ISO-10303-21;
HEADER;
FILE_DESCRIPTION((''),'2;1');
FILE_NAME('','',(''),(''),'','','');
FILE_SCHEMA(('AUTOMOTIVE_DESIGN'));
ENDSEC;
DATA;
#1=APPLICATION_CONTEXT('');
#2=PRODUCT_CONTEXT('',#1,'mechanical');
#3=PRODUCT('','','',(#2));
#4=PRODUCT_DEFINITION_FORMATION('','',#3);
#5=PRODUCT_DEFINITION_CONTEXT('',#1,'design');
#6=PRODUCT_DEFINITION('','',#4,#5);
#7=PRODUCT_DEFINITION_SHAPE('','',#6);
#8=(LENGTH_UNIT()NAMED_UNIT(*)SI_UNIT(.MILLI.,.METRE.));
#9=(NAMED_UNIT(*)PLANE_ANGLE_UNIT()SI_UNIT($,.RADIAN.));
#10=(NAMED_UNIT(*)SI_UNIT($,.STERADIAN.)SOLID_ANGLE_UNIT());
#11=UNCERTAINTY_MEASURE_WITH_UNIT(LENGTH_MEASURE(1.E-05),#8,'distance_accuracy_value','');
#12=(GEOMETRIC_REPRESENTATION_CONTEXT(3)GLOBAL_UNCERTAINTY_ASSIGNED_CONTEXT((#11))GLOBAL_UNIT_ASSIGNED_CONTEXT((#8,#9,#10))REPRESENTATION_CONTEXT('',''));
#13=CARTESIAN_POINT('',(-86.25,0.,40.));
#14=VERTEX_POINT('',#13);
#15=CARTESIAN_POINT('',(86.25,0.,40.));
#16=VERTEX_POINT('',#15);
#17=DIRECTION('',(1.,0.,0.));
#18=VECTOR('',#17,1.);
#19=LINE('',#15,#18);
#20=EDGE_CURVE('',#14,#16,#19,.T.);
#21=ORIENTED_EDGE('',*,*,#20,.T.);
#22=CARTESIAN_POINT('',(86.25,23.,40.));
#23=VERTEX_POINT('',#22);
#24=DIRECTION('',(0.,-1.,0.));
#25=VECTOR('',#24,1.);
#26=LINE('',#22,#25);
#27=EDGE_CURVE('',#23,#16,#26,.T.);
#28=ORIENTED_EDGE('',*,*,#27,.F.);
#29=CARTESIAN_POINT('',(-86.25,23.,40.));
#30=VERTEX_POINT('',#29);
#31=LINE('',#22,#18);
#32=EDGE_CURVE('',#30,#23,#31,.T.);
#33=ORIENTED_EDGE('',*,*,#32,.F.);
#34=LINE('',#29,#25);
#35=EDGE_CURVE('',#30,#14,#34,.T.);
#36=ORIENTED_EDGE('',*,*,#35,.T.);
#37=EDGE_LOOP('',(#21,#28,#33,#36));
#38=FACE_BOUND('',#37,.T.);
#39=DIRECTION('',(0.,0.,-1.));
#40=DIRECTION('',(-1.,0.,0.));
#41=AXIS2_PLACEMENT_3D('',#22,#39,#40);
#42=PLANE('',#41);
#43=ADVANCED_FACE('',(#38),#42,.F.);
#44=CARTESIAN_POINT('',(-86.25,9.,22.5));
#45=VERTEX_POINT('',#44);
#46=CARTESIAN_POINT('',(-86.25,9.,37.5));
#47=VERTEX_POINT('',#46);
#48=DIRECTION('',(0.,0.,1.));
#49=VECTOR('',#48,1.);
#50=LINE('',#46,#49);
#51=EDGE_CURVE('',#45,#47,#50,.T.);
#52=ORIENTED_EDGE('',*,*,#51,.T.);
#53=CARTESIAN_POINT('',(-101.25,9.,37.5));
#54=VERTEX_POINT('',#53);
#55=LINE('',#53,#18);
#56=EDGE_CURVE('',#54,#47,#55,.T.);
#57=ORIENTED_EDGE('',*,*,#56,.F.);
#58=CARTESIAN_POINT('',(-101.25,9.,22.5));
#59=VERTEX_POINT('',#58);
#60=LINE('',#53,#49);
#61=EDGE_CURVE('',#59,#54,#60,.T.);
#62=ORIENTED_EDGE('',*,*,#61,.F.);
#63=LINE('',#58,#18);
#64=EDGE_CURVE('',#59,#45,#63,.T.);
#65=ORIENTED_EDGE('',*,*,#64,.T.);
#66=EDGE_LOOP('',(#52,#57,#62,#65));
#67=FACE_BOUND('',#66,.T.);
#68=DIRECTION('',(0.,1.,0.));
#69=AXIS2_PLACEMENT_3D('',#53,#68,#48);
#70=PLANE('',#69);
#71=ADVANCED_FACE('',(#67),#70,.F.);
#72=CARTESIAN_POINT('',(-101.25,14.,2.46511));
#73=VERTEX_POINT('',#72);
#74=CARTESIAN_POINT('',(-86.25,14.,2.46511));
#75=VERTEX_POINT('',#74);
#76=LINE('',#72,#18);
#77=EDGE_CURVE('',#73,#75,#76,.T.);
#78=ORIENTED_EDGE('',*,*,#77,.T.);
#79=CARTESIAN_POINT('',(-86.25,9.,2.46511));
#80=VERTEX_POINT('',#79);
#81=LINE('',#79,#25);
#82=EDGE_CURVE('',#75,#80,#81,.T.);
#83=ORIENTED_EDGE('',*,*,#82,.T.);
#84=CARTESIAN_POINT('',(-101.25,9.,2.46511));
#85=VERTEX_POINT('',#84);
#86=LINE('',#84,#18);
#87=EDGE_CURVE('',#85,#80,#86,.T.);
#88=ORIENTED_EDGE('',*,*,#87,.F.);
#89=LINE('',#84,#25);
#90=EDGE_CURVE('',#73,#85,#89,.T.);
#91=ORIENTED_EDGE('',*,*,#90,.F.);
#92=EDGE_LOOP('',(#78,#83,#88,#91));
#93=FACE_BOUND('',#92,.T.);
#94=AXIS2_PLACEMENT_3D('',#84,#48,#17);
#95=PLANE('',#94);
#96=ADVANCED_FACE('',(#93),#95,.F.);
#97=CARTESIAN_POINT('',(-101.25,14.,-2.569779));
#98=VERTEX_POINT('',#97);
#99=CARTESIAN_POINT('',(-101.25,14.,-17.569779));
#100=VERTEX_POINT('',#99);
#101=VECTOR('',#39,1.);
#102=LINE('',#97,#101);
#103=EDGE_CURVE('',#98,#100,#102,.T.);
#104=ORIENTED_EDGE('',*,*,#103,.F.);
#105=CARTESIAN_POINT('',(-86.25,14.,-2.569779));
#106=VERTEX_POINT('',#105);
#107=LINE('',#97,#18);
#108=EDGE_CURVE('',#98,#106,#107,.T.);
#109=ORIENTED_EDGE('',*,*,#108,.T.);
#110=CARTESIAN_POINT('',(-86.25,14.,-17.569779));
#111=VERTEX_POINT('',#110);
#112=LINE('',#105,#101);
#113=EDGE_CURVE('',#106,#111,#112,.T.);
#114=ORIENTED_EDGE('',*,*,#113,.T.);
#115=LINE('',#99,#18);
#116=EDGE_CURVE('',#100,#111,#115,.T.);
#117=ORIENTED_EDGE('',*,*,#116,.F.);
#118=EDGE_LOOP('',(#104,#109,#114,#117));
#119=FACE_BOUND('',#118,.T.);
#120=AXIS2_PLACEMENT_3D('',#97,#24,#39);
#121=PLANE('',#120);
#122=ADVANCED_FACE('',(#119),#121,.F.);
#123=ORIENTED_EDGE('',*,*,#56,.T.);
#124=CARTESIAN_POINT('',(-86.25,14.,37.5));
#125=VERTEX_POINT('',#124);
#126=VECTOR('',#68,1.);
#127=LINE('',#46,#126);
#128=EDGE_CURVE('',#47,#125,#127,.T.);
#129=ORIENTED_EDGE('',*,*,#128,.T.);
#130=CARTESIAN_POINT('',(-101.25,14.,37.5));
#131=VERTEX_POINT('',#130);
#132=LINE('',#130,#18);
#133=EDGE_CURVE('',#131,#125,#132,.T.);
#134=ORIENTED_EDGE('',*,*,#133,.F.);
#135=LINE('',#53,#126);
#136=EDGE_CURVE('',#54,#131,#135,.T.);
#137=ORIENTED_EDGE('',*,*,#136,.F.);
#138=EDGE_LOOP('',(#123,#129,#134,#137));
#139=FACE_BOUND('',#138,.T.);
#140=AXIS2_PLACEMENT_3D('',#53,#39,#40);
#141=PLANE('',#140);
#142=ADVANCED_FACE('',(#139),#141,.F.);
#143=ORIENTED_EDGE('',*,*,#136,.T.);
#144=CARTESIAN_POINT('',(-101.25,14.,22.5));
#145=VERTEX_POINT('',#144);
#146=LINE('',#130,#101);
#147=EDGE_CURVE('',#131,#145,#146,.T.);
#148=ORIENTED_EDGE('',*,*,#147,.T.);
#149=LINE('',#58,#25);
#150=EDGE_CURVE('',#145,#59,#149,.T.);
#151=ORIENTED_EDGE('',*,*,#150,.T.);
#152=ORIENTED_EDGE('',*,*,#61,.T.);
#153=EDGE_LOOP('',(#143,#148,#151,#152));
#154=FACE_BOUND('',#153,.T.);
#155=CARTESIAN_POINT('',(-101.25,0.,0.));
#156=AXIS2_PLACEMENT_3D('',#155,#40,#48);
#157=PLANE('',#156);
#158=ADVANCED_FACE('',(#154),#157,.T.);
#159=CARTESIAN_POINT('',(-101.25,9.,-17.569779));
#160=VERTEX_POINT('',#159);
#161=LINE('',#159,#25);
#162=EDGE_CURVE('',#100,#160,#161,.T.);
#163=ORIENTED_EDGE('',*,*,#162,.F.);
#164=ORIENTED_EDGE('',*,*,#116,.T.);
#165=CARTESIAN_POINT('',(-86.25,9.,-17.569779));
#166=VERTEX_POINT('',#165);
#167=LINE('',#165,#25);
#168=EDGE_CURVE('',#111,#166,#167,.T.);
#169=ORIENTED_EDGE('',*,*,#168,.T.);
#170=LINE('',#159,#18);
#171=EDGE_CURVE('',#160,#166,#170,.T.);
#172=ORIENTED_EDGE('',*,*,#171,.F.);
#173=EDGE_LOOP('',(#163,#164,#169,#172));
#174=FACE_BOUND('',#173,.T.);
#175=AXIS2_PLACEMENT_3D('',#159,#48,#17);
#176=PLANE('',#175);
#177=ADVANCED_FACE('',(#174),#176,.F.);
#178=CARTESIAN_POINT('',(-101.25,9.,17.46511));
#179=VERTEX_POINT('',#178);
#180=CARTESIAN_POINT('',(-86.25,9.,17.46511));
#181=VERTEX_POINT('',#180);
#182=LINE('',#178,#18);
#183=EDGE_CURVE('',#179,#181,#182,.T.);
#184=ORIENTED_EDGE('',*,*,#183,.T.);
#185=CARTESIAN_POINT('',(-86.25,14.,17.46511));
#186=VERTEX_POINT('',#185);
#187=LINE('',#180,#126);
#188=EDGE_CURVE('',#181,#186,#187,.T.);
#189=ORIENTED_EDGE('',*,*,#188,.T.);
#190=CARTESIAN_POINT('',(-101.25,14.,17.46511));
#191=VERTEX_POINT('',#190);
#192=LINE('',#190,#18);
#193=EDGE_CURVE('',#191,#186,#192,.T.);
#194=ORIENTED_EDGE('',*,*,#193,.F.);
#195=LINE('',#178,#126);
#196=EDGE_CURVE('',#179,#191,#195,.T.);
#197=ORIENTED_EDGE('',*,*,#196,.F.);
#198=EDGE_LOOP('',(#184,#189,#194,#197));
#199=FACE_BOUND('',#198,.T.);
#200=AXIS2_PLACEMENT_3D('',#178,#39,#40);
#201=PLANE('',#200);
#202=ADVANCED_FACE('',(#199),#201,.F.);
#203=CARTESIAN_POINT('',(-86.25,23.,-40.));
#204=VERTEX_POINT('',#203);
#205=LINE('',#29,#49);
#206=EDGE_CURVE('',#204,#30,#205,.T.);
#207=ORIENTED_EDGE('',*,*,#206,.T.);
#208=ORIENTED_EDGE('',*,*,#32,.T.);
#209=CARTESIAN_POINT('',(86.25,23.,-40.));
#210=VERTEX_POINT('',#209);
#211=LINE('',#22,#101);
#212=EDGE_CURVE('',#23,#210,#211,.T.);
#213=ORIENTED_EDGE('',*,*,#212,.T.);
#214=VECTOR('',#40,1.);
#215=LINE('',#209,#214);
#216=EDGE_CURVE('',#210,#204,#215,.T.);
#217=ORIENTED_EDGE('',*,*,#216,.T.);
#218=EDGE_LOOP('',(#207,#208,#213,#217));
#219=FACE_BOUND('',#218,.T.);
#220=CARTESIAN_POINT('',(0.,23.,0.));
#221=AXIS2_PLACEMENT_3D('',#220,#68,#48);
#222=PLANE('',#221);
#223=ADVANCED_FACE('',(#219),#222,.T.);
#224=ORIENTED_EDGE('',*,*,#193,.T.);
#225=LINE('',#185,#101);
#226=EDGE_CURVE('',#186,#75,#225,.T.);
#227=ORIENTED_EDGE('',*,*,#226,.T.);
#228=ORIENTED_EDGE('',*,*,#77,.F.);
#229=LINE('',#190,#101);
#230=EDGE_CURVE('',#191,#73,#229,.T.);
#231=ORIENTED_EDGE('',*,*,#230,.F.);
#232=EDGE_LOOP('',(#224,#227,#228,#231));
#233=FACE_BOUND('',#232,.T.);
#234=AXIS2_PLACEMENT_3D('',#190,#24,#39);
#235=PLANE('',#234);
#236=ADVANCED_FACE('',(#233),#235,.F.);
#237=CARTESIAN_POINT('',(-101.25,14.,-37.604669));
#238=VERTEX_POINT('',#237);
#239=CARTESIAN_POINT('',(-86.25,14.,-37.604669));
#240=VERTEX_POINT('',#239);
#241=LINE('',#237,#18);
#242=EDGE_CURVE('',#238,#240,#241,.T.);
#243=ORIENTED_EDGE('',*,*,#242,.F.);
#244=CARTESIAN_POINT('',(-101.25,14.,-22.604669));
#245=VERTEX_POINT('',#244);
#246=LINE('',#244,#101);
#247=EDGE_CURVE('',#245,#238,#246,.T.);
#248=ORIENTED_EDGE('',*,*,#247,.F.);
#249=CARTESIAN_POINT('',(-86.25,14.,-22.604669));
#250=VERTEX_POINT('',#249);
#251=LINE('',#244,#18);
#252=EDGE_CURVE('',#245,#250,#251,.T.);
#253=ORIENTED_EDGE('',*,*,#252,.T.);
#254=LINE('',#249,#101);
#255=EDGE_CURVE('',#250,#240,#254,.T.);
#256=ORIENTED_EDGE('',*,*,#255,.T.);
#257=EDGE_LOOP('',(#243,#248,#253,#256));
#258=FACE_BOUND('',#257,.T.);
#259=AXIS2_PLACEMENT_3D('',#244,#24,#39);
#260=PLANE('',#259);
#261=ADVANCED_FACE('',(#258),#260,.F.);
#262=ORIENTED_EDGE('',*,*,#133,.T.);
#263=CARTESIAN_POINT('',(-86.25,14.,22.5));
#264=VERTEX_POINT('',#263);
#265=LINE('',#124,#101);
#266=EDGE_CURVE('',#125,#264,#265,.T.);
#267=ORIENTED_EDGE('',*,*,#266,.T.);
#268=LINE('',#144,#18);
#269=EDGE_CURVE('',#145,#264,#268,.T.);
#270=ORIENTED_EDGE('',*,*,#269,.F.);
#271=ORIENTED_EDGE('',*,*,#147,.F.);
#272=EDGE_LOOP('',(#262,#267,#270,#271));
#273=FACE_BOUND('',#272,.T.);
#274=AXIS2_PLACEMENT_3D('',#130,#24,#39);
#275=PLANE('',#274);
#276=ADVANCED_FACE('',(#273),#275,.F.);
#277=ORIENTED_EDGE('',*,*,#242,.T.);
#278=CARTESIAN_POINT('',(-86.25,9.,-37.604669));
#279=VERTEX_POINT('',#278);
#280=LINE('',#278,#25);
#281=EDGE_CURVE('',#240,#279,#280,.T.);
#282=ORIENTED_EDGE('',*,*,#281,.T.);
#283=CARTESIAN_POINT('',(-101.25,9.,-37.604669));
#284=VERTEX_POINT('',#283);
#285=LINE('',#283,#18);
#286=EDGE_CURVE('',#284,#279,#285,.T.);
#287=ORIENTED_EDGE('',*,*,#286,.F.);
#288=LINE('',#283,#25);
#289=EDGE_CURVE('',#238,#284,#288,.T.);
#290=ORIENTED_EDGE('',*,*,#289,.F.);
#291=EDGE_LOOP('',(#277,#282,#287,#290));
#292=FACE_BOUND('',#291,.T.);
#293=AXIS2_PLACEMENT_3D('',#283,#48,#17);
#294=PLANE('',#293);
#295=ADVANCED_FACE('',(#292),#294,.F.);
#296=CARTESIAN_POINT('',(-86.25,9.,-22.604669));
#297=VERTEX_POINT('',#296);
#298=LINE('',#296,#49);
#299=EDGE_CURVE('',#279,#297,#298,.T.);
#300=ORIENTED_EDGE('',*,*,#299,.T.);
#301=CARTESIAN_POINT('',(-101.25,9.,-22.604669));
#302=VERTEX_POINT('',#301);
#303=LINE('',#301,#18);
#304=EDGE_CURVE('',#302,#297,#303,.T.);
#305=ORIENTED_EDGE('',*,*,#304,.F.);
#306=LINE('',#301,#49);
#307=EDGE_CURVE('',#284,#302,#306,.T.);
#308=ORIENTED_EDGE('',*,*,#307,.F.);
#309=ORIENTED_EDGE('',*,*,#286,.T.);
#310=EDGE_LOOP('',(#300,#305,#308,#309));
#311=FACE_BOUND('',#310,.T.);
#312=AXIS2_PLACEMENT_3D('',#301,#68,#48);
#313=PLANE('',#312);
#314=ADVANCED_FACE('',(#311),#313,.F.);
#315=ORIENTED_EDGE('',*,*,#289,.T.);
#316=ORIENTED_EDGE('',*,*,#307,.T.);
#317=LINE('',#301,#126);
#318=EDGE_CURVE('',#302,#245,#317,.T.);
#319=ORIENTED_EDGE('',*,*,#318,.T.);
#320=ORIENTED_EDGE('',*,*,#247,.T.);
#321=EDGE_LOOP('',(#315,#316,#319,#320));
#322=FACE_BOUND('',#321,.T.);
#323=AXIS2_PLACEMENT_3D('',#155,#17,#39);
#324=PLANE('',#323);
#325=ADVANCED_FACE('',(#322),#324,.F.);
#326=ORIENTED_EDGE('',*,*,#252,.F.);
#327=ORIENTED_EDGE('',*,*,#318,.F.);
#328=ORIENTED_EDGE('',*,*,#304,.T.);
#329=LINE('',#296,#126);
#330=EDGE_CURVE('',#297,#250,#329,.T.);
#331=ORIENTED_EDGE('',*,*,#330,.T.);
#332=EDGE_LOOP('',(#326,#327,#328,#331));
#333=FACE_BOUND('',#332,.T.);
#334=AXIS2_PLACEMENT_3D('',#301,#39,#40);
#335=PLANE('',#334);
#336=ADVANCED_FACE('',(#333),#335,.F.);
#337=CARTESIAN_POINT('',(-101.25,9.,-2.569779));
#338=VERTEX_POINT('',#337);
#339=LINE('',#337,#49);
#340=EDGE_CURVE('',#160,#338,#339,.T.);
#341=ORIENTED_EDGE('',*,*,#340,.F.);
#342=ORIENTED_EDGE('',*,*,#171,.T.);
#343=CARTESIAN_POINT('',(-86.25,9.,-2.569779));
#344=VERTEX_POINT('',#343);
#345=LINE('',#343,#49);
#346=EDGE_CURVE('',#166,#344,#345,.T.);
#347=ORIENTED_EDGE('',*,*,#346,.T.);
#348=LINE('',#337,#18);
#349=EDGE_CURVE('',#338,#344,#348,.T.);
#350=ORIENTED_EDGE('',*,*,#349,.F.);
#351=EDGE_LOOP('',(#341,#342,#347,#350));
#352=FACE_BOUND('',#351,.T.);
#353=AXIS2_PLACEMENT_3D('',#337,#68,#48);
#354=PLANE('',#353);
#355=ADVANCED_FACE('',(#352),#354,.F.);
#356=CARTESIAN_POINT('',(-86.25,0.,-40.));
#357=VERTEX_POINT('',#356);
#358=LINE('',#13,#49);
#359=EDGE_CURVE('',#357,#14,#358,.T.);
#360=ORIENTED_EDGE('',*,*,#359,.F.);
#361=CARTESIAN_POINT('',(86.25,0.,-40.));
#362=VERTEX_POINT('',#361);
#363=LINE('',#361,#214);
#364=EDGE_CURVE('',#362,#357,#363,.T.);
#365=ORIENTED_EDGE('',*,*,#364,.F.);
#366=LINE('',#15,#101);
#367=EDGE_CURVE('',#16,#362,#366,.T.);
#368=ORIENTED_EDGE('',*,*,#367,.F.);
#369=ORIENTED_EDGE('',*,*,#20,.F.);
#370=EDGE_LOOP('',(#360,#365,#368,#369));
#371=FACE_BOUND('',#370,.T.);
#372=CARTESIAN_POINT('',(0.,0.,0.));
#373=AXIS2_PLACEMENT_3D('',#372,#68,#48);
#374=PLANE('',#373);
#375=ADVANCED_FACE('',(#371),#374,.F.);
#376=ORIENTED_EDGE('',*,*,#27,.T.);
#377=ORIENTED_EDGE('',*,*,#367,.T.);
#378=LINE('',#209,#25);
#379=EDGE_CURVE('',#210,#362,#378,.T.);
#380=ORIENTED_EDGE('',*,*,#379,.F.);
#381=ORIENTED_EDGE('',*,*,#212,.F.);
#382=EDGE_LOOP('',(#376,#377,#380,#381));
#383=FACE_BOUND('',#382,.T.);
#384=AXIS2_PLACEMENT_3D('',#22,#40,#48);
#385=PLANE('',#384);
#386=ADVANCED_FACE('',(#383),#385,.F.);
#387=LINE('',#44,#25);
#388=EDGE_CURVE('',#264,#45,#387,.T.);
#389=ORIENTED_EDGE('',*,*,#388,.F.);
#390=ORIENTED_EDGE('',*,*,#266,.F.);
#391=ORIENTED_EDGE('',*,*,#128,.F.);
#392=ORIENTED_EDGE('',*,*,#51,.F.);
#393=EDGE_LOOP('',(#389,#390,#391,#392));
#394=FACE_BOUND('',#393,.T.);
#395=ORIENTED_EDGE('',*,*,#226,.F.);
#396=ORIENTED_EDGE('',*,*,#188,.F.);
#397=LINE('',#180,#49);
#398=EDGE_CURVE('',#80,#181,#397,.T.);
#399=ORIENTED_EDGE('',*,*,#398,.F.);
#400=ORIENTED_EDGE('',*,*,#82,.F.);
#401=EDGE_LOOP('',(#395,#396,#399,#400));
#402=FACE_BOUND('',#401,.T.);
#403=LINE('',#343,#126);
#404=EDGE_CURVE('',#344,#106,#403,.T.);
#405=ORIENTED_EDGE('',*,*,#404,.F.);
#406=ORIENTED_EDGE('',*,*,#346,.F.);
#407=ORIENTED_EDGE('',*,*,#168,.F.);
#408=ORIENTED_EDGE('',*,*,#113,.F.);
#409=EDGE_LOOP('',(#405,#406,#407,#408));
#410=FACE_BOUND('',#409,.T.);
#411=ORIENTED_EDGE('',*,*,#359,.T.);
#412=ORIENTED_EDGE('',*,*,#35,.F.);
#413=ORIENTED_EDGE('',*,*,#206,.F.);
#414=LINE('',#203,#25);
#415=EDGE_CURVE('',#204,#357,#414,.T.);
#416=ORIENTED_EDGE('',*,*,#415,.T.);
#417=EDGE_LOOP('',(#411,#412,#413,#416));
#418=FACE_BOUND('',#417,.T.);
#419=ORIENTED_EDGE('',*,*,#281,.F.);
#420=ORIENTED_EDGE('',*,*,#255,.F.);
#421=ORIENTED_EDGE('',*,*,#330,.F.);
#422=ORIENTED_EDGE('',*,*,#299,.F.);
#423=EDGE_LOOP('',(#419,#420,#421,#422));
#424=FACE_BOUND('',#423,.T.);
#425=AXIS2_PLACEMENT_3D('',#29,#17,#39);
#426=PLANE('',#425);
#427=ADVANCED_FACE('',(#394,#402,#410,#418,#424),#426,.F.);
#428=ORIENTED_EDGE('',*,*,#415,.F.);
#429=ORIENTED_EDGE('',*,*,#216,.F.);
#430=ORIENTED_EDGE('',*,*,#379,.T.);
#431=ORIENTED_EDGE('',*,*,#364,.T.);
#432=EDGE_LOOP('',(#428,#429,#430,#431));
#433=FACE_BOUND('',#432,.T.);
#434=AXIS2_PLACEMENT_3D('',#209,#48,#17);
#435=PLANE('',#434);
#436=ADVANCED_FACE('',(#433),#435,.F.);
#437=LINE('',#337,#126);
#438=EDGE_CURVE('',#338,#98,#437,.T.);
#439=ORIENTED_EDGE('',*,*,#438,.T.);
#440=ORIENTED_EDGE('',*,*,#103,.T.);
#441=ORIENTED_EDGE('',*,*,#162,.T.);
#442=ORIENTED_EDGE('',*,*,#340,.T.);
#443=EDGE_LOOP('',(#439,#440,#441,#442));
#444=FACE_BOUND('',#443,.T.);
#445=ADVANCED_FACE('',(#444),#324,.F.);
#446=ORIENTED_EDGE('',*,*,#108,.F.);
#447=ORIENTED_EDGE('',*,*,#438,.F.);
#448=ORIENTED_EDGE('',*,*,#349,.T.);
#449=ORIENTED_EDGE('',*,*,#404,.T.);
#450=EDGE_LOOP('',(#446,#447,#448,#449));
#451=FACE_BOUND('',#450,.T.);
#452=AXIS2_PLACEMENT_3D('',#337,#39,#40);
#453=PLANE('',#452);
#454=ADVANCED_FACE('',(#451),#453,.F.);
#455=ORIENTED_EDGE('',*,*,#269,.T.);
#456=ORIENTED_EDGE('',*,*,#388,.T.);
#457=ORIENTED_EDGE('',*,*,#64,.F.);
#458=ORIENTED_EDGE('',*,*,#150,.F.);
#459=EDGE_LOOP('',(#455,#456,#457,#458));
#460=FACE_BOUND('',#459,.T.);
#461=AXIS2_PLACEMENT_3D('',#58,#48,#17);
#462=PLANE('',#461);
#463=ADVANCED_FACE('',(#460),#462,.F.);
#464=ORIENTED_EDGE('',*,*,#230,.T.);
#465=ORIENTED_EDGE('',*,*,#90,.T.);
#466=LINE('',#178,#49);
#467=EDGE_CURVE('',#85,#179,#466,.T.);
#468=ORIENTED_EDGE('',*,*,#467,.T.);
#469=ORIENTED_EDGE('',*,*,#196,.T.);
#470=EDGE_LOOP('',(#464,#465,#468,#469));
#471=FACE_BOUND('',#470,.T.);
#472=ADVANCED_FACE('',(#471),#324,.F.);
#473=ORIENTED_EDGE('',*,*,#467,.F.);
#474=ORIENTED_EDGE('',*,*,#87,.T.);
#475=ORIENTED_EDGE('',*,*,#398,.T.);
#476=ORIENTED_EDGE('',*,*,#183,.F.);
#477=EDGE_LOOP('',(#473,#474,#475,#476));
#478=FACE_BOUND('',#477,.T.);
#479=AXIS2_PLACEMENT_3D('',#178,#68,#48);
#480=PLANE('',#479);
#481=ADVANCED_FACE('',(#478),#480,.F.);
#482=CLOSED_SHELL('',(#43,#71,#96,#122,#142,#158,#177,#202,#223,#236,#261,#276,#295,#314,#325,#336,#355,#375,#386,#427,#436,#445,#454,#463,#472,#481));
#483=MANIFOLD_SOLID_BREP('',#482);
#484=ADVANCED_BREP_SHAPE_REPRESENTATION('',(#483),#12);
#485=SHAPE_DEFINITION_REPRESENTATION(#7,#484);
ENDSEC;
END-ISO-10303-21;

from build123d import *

# Parameters (mm, degrees)
SKETCH1_W           = 172.5
SKETCH1_H           = 80
BOSS_EXTRUDE1_DEPTH = 23
SKETCH2_W           = 15
SKETCH2_H           = 5
BOSS_EXTRUDE2_DEPTH = 15


with BuildPart() as part:
    # Sketch1 → Boss-Extrude1 (new body)
    with BuildSketch(Plane(origin=(0, 0, 0), x_dir=(1, 0, 0), z_dir=(0, 1, 0))):
        Rectangle(SKETCH1_W, SKETCH1_H)
    extrude(amount=BOSS_EXTRUDE1_DEPTH)

    # Sketch2 → Boss-Extrude2 (add)
    with BuildSketch(Plane.ZY.offset(86.25)):
        with Locations((9.965110339, 11.5)):
            Rectangle(SKETCH2_W, SKETCH2_H)
        with Locations((30, 11.5)):
            Rectangle(SKETCH2_W, SKETCH2_H)
        with Locations((-10.069779322, 11.5)):
            Rectangle(SKETCH2_W, SKETCH2_H)
        with Locations((-30.104668983, 11.5)):
            Rectangle(SKETCH2_W, SKETCH2_H)
    extrude(amount=BOSS_EXTRUDE2_DEPTH)


solid = part.part
